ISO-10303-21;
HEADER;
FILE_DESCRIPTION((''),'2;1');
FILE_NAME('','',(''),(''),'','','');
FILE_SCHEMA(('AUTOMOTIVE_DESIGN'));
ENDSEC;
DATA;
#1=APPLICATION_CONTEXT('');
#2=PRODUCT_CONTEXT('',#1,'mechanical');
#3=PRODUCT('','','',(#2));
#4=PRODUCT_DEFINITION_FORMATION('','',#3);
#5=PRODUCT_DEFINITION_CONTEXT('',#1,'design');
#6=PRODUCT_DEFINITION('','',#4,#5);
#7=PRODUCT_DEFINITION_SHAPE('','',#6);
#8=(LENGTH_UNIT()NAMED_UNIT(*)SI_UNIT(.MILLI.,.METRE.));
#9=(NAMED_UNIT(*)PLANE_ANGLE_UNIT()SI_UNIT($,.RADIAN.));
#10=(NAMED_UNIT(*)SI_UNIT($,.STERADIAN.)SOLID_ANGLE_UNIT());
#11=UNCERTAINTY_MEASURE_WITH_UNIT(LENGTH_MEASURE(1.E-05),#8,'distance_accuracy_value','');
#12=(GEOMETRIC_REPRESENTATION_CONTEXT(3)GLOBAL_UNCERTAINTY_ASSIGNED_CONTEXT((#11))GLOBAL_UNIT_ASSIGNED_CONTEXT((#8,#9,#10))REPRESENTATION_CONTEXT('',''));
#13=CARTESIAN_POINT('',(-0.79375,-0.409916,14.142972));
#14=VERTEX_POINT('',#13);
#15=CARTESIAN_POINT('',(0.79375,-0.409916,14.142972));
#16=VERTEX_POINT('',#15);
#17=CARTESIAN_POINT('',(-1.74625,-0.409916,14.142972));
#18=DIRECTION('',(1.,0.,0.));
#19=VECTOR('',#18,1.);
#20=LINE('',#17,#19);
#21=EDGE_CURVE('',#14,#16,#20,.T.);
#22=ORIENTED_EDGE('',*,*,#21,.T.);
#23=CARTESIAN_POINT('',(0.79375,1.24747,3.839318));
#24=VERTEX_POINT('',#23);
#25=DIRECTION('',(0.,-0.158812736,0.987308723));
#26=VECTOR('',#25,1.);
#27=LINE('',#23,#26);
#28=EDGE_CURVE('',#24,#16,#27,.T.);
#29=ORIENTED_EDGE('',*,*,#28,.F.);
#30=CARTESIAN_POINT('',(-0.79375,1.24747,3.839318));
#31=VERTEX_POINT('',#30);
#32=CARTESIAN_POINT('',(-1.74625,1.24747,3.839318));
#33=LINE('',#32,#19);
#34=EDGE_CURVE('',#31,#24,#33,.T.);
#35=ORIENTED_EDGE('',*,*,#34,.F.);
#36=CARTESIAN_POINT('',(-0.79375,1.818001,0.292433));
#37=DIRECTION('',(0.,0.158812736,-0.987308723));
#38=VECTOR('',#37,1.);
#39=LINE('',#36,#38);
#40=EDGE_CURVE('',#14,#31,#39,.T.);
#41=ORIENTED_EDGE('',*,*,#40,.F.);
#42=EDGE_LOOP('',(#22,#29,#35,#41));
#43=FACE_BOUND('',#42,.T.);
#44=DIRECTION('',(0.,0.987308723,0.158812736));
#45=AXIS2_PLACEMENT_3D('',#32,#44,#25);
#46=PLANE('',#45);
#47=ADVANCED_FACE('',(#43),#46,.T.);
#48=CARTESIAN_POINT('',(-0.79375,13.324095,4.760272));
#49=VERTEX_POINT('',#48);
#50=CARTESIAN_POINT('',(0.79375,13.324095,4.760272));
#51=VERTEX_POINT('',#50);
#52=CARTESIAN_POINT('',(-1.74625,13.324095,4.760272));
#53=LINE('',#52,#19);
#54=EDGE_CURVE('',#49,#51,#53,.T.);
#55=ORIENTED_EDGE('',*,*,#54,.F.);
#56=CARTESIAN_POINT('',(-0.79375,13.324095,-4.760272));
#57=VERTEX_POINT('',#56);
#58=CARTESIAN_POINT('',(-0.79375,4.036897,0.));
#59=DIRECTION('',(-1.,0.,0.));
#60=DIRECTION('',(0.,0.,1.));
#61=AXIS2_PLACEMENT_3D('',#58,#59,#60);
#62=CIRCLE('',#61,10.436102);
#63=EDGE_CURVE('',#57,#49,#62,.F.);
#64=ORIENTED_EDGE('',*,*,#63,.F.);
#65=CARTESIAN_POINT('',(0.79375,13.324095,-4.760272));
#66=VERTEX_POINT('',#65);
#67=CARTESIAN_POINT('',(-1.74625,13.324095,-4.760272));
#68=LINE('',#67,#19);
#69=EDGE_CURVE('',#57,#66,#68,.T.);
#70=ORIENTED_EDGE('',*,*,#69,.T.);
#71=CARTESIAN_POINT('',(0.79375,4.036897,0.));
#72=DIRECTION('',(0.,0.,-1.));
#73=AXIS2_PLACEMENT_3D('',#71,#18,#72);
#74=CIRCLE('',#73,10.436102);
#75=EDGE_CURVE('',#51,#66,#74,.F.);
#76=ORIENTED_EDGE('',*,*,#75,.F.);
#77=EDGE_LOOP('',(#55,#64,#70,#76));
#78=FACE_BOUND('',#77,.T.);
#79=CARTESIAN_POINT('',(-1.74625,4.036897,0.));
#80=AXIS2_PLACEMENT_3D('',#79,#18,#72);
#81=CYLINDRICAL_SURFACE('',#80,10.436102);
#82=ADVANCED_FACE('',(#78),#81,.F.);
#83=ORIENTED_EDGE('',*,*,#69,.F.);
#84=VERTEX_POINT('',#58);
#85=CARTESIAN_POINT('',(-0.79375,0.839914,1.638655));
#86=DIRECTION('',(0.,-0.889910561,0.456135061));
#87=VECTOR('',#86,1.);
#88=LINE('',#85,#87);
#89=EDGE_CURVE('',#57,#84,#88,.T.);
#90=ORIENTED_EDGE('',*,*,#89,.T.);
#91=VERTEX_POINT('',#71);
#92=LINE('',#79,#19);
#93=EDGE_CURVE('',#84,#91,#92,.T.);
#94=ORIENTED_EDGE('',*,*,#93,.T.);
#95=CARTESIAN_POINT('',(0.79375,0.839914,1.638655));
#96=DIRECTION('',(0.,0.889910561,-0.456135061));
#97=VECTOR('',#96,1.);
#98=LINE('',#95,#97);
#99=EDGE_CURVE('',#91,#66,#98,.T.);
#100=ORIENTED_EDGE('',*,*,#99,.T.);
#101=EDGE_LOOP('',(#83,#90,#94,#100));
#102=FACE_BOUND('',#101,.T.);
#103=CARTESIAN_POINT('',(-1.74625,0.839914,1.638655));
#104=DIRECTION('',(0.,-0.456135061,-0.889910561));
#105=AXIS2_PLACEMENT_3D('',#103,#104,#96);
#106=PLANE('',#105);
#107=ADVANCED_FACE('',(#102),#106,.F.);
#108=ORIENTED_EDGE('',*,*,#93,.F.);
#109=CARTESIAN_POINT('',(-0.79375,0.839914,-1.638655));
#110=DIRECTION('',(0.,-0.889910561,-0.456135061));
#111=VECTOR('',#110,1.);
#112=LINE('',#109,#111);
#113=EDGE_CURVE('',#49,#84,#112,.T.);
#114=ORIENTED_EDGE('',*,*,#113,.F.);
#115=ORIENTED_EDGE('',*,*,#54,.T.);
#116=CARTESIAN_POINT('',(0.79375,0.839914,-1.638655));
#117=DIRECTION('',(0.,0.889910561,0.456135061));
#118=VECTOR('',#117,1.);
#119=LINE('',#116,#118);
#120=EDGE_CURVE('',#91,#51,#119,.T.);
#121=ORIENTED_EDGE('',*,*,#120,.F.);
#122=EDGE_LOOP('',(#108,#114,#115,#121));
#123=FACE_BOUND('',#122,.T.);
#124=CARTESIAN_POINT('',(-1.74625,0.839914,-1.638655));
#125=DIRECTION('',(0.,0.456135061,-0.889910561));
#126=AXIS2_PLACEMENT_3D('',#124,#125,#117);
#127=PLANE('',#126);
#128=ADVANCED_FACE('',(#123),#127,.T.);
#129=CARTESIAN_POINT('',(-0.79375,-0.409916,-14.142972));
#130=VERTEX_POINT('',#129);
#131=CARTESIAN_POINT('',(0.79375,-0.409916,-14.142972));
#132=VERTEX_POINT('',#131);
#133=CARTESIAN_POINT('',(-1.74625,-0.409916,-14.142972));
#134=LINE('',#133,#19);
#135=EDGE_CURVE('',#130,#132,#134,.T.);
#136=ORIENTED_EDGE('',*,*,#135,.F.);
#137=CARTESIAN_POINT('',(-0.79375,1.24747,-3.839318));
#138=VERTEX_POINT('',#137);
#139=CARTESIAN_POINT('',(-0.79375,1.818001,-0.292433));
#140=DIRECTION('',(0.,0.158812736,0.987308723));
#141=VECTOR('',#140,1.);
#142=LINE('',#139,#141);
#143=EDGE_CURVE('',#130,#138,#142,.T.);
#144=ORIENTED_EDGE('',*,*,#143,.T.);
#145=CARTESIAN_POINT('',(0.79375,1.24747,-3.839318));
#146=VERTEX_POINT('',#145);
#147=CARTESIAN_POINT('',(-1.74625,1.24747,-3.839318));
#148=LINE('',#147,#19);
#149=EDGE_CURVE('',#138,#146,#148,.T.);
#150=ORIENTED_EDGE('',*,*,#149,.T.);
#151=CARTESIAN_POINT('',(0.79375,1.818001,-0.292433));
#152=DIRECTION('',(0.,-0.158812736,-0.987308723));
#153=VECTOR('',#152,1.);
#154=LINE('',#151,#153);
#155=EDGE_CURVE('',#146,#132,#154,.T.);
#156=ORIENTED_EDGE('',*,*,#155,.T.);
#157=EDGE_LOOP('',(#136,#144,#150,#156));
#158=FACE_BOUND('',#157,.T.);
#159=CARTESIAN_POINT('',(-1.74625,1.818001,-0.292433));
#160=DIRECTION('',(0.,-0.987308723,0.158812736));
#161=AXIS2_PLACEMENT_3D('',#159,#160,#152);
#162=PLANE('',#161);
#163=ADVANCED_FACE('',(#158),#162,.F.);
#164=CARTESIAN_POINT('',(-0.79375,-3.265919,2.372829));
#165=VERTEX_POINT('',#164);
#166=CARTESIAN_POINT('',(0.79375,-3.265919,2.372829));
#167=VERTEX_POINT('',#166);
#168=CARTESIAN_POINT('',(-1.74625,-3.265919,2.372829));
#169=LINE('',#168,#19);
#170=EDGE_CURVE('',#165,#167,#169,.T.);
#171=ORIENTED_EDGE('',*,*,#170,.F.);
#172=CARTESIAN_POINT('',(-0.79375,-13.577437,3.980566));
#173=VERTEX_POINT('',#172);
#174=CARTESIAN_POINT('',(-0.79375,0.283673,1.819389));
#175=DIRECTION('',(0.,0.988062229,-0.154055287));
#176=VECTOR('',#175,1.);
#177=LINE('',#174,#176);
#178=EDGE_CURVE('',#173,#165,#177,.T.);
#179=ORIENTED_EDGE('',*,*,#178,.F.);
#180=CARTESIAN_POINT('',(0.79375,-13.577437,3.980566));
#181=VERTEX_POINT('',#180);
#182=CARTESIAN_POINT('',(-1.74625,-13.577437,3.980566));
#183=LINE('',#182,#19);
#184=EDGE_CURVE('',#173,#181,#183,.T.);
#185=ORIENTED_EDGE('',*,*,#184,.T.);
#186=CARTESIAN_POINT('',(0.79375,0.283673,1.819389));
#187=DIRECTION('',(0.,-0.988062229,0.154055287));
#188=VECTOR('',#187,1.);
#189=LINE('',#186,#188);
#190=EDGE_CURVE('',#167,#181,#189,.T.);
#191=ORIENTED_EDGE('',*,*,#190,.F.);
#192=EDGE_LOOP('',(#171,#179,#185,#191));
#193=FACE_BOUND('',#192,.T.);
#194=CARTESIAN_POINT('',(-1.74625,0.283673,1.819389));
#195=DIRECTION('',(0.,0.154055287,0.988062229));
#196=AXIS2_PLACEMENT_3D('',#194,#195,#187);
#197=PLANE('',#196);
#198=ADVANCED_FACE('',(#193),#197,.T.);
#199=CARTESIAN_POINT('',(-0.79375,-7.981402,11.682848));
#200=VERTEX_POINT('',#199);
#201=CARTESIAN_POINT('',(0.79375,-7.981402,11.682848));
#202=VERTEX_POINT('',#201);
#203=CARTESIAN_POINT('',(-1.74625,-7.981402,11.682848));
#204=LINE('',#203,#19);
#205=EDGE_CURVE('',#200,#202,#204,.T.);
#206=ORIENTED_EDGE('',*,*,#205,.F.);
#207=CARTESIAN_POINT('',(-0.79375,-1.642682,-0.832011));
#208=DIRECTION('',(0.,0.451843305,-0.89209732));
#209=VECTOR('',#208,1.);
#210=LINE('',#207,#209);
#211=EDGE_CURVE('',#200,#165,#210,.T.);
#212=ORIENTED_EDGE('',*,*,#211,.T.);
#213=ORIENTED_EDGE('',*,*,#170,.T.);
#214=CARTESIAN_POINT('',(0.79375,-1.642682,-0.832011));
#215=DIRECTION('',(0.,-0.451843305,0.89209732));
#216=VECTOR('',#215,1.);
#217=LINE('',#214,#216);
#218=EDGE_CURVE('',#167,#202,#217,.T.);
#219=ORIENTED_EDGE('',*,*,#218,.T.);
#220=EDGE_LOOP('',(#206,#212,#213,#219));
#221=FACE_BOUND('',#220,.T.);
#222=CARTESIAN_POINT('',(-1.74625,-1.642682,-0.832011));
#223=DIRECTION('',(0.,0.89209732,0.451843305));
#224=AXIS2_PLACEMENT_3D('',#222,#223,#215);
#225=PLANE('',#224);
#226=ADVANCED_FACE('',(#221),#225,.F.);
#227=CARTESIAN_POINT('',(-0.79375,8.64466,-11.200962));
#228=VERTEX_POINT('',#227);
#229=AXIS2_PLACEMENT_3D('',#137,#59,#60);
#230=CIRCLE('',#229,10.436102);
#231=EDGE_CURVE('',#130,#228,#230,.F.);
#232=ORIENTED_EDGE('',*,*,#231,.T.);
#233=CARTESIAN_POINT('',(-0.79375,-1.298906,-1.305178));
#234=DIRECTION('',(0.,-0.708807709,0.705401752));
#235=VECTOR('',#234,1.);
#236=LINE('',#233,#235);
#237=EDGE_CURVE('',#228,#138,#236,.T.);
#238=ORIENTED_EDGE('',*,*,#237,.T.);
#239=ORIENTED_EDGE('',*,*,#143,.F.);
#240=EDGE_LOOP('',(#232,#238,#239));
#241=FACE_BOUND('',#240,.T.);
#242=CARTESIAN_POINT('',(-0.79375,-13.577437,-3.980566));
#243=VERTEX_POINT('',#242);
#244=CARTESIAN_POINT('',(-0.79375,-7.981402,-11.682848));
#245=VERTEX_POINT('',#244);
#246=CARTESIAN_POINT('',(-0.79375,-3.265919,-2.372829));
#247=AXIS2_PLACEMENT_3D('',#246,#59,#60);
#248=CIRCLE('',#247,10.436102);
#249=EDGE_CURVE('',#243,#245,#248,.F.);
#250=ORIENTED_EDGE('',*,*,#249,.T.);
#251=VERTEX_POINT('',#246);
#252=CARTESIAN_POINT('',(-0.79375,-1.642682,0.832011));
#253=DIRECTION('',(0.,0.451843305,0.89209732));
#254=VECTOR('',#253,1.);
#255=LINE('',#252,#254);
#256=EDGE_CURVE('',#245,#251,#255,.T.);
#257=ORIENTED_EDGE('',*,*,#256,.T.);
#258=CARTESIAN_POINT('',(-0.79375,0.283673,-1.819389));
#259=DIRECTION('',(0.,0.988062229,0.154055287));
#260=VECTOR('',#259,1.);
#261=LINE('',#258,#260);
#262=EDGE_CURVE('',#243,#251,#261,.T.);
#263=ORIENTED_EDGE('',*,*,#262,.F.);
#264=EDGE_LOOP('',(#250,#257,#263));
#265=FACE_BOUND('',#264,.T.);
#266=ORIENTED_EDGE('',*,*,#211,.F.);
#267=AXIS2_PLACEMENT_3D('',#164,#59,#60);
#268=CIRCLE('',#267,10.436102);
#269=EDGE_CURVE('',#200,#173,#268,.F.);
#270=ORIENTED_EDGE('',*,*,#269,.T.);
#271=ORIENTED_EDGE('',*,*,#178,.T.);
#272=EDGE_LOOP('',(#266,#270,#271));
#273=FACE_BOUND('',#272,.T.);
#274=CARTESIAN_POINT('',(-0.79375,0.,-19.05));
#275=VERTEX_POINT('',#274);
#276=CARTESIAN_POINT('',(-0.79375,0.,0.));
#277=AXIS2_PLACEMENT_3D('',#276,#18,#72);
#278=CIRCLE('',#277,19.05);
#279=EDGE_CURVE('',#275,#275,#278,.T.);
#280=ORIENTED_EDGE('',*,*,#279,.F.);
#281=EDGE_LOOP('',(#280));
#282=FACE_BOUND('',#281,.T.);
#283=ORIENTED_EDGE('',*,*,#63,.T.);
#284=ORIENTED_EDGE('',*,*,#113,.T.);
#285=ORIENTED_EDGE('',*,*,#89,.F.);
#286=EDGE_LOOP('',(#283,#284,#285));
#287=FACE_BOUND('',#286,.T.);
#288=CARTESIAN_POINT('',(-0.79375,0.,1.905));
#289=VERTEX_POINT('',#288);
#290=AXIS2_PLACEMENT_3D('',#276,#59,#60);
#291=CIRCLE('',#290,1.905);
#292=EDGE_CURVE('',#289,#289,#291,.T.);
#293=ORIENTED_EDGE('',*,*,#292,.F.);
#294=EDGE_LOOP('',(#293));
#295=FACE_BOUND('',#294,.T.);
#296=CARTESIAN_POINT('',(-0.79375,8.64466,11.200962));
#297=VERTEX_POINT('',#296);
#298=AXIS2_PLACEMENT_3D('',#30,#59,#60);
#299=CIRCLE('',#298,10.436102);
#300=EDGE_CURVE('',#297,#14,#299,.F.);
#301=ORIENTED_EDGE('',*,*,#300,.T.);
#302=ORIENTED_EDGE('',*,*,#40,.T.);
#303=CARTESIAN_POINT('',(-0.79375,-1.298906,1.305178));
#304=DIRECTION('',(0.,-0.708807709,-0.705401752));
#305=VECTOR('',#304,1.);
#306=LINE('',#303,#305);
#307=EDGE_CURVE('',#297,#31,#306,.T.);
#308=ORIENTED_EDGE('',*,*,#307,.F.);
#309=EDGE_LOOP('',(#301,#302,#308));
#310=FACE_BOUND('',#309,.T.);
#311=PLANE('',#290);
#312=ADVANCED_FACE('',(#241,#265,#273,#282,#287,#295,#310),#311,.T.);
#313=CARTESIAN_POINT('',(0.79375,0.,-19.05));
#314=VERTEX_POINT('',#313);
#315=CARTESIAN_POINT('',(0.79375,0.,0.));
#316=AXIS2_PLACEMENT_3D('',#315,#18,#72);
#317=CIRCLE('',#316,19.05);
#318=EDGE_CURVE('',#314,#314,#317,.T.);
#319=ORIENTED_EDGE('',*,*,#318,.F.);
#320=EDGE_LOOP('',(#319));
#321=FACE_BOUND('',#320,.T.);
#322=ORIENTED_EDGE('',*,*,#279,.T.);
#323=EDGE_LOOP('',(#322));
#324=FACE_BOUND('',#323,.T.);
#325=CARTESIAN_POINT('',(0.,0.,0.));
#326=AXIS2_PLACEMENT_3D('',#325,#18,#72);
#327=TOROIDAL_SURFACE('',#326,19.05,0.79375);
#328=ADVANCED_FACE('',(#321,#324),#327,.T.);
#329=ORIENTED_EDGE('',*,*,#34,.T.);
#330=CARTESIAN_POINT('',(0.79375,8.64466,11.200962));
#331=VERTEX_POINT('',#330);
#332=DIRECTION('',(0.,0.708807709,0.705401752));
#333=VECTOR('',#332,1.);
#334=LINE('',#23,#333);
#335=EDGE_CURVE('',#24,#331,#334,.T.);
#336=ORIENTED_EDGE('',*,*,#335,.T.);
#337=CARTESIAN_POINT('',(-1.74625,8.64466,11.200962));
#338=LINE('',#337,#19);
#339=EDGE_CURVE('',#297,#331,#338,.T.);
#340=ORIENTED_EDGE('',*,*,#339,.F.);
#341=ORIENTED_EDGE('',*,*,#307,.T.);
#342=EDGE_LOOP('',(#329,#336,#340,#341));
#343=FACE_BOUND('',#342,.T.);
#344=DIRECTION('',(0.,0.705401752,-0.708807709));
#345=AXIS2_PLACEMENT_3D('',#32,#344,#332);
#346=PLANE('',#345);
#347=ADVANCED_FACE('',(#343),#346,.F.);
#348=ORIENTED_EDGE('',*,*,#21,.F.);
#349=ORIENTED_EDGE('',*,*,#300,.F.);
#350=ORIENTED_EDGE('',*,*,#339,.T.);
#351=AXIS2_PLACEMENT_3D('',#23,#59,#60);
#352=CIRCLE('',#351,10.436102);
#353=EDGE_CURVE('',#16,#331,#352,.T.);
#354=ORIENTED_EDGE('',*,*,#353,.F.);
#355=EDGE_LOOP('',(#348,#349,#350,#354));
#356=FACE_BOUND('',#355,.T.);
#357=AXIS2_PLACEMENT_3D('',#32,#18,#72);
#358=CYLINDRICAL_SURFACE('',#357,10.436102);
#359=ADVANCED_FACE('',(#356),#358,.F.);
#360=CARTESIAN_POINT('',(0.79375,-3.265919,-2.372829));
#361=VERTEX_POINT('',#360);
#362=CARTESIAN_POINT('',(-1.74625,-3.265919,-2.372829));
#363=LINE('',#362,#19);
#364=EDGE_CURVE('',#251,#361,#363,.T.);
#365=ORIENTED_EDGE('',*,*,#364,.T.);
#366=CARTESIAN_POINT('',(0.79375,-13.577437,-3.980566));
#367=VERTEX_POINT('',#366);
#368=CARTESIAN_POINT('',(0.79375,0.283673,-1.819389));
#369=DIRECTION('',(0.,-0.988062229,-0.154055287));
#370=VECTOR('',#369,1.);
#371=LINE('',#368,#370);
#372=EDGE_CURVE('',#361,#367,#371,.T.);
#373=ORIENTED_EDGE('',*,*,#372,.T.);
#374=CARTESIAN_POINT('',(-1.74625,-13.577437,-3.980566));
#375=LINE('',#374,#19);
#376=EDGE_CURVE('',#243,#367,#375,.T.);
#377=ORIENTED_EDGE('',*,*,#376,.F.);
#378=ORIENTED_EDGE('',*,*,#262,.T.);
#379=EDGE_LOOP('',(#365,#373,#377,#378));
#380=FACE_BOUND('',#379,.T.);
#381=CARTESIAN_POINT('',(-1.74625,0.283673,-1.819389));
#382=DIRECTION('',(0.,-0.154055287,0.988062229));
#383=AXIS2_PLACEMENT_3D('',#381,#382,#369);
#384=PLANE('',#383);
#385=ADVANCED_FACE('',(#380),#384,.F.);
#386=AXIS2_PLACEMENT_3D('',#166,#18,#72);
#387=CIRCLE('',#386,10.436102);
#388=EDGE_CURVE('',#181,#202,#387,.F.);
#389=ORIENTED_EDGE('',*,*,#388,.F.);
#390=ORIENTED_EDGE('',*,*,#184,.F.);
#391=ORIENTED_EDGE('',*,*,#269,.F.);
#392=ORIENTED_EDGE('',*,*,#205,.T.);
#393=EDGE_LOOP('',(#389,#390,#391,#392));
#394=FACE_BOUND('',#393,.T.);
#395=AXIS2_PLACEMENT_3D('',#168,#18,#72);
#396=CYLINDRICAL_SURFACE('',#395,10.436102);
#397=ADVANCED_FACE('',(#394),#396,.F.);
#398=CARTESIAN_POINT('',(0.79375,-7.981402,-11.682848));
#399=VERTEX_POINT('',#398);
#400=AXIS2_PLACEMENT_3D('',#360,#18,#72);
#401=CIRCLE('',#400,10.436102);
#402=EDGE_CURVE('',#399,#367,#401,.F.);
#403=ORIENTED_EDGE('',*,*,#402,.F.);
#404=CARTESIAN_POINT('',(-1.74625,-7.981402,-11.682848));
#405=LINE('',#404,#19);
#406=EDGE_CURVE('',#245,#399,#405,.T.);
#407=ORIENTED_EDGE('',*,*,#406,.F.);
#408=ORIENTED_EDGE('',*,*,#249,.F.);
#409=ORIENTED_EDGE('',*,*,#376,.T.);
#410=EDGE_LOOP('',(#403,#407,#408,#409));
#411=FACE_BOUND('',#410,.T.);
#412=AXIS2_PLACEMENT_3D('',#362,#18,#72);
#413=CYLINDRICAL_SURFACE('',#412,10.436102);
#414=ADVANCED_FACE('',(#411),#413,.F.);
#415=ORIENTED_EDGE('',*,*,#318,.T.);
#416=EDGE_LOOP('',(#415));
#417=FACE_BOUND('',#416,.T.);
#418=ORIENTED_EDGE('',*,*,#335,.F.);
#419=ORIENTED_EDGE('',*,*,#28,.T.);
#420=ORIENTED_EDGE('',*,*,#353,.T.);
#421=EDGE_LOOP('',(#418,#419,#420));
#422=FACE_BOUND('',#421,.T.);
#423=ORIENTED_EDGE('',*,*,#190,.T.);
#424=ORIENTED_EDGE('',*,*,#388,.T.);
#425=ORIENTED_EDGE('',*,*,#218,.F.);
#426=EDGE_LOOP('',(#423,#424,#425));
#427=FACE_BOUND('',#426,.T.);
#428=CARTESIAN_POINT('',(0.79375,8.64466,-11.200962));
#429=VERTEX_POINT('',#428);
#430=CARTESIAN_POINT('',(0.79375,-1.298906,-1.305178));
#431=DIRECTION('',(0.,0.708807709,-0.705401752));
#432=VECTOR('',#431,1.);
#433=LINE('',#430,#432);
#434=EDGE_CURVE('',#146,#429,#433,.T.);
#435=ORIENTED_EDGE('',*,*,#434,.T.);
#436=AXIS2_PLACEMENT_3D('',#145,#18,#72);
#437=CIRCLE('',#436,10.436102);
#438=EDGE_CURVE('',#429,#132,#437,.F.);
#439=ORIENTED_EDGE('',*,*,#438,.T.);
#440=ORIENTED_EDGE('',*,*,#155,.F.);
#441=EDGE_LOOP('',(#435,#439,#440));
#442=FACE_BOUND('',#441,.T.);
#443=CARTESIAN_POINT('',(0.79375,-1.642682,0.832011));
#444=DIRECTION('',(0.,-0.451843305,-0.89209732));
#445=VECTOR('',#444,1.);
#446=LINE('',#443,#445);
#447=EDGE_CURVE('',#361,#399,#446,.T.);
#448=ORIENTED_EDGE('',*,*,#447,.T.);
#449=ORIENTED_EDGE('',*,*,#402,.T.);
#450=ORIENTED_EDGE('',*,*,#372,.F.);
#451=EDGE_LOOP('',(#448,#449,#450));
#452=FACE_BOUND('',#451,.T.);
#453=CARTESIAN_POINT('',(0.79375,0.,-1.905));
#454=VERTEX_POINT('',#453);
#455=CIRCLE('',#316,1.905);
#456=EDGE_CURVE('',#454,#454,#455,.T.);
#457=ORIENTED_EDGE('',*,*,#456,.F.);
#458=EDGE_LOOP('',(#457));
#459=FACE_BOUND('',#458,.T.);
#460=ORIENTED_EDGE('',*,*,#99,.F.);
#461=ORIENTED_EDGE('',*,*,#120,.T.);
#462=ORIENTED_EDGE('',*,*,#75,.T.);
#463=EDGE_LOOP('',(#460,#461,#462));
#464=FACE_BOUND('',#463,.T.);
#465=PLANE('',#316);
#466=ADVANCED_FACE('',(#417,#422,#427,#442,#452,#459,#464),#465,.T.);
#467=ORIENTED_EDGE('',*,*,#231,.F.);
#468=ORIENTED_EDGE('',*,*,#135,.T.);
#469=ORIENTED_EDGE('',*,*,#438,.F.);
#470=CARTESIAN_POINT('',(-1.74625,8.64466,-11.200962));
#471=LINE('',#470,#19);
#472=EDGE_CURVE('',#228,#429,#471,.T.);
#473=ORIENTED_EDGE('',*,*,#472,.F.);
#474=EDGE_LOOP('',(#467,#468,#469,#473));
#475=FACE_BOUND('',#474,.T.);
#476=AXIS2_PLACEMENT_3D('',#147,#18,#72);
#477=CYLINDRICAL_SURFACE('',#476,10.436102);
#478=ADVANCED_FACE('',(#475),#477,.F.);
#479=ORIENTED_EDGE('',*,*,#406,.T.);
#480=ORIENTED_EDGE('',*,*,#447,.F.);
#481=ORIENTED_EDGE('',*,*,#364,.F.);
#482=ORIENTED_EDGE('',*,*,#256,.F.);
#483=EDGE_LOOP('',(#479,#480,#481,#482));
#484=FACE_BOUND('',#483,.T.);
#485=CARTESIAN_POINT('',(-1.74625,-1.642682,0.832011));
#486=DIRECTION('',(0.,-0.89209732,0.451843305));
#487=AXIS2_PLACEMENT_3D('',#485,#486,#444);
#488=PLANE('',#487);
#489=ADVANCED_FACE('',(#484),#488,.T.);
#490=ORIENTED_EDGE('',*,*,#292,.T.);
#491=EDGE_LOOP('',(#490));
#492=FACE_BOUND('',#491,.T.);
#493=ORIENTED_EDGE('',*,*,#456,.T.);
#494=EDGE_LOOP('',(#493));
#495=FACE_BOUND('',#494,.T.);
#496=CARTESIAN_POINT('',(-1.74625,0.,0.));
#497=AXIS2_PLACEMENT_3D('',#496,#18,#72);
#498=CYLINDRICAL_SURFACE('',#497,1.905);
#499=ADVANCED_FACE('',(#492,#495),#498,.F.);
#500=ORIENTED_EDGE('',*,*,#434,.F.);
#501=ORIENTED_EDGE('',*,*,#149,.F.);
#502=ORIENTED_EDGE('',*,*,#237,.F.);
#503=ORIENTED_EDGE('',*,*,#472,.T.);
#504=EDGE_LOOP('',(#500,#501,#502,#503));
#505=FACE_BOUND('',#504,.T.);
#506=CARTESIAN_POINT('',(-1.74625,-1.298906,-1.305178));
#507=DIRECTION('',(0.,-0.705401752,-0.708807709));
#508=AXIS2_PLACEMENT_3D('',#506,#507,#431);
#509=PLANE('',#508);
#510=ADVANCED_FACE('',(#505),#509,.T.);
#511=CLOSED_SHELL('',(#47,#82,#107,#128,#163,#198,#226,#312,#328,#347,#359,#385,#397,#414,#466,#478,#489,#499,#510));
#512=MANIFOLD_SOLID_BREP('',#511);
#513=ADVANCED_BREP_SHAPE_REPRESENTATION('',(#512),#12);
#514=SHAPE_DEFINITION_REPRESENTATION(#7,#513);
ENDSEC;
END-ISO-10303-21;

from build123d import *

# Parameters (mm, degrees)
SKETCH2_R          = 1.905
CUT_EXTRUDE1_DEPTH = 2.54


with BuildPart() as part:
    # Sketch1 → Revolve1 (revolve)
    with BuildSketch(Plane.XY, mode=Mode.PRIVATE) as revolve1_sk:
        with BuildLine():
            Line((0, 0), (0.79375, 0))
            Line((0.79375, 0), (0.79375, 19.05))
            ThreePointArc((0.79375, 19.05), (0, 19.84375), (-0.79375, 19.05))
            Line((-0.79375, 19.05), (-0.79375, 0))
            Line((-0.79375, 0), (0, 0))
        make_face()
    revolve(revolve1_sk.sketch.rotate(Axis((0, 0, 0), (-1, 0, 0)), 90), axis=Axis((0, 0, 0), (-1, 0, 0)))

    # Sketch2 → Cut-Extrude1 (cut)
    with BuildSketch(Plane(origin=(0.79375, 0, 0), x_dir=(0, 0, -1), z_dir=(1, 0, 0))):
        with BuildLine():
            Line((-4.760272123, 13.32409501), (0, 4.036897437))
            Line((0, 4.036897437), (0, 14.472999652))
            ThreePointArc((0, 14.472999652), (-2.448477719, 14.181708244), (-4.760272123, 13.32409501))
        make_face()
        with BuildLine():
            Line((0, 14.472999652), (0, 4.036897437))
            Line((0, 4.036897437), (4.760272123, 13.32409501))
            ThreePointArc((4.760272123, 13.32409501), (2.448477719, 14.181708244), (0, 14.472999652))
        make_face()
        with BuildLine():
            ThreePointArc((11.200962399, 8.644659614), (13.764640629, 4.472402852), (14.142972367, -0.409916029))
            Line((14.142972367, -0.409916029), (3.839317613, 1.247469913))
            Line((3.839317613, 1.247469913), (11.200962399, 8.644659614))
        make_face()
        with BuildLine():
            ThreePointArc((11.682847592, -7.981401547), (8.507015752, -11.708902678), (3.980565502, -13.577437048))
            Line((3.980565502, -13.577437048), (2.372828779, -3.265918631))
            Line((2.372828779, -3.265918631), (11.682847592, -7.981401547))
        make_face()
        with BuildLine():
            ThreePointArc((-3.980565502, -13.577437048), (-8.507015752, -11.708902678), (-11.682847592, -7.981401547))
            Line((-11.682847592, -7.981401547), (-2.372828779, -3.265918631))
            Line((-2.372828779, -3.265918631), (-3.980565502, -13.577437048))
        make_face()
        with BuildLine():
            Line((-3.839317613, 1.247469913), (-11.200962399, 8.644659614))
            ThreePointArc((-11.200962399, 8.644659614), (-13.764640629, 4.472402852), (-14.142972367, -0.409916029))
            Line((-14.142972367, -0.409916029), (-3.839317613, 1.247469913))
        make_face()
        Circle(SKETCH2_R)
    extrude(amount=-CUT_EXTRUDE1_DEPTH, mode=Mode.SUBTRACT)


solid = part.part
